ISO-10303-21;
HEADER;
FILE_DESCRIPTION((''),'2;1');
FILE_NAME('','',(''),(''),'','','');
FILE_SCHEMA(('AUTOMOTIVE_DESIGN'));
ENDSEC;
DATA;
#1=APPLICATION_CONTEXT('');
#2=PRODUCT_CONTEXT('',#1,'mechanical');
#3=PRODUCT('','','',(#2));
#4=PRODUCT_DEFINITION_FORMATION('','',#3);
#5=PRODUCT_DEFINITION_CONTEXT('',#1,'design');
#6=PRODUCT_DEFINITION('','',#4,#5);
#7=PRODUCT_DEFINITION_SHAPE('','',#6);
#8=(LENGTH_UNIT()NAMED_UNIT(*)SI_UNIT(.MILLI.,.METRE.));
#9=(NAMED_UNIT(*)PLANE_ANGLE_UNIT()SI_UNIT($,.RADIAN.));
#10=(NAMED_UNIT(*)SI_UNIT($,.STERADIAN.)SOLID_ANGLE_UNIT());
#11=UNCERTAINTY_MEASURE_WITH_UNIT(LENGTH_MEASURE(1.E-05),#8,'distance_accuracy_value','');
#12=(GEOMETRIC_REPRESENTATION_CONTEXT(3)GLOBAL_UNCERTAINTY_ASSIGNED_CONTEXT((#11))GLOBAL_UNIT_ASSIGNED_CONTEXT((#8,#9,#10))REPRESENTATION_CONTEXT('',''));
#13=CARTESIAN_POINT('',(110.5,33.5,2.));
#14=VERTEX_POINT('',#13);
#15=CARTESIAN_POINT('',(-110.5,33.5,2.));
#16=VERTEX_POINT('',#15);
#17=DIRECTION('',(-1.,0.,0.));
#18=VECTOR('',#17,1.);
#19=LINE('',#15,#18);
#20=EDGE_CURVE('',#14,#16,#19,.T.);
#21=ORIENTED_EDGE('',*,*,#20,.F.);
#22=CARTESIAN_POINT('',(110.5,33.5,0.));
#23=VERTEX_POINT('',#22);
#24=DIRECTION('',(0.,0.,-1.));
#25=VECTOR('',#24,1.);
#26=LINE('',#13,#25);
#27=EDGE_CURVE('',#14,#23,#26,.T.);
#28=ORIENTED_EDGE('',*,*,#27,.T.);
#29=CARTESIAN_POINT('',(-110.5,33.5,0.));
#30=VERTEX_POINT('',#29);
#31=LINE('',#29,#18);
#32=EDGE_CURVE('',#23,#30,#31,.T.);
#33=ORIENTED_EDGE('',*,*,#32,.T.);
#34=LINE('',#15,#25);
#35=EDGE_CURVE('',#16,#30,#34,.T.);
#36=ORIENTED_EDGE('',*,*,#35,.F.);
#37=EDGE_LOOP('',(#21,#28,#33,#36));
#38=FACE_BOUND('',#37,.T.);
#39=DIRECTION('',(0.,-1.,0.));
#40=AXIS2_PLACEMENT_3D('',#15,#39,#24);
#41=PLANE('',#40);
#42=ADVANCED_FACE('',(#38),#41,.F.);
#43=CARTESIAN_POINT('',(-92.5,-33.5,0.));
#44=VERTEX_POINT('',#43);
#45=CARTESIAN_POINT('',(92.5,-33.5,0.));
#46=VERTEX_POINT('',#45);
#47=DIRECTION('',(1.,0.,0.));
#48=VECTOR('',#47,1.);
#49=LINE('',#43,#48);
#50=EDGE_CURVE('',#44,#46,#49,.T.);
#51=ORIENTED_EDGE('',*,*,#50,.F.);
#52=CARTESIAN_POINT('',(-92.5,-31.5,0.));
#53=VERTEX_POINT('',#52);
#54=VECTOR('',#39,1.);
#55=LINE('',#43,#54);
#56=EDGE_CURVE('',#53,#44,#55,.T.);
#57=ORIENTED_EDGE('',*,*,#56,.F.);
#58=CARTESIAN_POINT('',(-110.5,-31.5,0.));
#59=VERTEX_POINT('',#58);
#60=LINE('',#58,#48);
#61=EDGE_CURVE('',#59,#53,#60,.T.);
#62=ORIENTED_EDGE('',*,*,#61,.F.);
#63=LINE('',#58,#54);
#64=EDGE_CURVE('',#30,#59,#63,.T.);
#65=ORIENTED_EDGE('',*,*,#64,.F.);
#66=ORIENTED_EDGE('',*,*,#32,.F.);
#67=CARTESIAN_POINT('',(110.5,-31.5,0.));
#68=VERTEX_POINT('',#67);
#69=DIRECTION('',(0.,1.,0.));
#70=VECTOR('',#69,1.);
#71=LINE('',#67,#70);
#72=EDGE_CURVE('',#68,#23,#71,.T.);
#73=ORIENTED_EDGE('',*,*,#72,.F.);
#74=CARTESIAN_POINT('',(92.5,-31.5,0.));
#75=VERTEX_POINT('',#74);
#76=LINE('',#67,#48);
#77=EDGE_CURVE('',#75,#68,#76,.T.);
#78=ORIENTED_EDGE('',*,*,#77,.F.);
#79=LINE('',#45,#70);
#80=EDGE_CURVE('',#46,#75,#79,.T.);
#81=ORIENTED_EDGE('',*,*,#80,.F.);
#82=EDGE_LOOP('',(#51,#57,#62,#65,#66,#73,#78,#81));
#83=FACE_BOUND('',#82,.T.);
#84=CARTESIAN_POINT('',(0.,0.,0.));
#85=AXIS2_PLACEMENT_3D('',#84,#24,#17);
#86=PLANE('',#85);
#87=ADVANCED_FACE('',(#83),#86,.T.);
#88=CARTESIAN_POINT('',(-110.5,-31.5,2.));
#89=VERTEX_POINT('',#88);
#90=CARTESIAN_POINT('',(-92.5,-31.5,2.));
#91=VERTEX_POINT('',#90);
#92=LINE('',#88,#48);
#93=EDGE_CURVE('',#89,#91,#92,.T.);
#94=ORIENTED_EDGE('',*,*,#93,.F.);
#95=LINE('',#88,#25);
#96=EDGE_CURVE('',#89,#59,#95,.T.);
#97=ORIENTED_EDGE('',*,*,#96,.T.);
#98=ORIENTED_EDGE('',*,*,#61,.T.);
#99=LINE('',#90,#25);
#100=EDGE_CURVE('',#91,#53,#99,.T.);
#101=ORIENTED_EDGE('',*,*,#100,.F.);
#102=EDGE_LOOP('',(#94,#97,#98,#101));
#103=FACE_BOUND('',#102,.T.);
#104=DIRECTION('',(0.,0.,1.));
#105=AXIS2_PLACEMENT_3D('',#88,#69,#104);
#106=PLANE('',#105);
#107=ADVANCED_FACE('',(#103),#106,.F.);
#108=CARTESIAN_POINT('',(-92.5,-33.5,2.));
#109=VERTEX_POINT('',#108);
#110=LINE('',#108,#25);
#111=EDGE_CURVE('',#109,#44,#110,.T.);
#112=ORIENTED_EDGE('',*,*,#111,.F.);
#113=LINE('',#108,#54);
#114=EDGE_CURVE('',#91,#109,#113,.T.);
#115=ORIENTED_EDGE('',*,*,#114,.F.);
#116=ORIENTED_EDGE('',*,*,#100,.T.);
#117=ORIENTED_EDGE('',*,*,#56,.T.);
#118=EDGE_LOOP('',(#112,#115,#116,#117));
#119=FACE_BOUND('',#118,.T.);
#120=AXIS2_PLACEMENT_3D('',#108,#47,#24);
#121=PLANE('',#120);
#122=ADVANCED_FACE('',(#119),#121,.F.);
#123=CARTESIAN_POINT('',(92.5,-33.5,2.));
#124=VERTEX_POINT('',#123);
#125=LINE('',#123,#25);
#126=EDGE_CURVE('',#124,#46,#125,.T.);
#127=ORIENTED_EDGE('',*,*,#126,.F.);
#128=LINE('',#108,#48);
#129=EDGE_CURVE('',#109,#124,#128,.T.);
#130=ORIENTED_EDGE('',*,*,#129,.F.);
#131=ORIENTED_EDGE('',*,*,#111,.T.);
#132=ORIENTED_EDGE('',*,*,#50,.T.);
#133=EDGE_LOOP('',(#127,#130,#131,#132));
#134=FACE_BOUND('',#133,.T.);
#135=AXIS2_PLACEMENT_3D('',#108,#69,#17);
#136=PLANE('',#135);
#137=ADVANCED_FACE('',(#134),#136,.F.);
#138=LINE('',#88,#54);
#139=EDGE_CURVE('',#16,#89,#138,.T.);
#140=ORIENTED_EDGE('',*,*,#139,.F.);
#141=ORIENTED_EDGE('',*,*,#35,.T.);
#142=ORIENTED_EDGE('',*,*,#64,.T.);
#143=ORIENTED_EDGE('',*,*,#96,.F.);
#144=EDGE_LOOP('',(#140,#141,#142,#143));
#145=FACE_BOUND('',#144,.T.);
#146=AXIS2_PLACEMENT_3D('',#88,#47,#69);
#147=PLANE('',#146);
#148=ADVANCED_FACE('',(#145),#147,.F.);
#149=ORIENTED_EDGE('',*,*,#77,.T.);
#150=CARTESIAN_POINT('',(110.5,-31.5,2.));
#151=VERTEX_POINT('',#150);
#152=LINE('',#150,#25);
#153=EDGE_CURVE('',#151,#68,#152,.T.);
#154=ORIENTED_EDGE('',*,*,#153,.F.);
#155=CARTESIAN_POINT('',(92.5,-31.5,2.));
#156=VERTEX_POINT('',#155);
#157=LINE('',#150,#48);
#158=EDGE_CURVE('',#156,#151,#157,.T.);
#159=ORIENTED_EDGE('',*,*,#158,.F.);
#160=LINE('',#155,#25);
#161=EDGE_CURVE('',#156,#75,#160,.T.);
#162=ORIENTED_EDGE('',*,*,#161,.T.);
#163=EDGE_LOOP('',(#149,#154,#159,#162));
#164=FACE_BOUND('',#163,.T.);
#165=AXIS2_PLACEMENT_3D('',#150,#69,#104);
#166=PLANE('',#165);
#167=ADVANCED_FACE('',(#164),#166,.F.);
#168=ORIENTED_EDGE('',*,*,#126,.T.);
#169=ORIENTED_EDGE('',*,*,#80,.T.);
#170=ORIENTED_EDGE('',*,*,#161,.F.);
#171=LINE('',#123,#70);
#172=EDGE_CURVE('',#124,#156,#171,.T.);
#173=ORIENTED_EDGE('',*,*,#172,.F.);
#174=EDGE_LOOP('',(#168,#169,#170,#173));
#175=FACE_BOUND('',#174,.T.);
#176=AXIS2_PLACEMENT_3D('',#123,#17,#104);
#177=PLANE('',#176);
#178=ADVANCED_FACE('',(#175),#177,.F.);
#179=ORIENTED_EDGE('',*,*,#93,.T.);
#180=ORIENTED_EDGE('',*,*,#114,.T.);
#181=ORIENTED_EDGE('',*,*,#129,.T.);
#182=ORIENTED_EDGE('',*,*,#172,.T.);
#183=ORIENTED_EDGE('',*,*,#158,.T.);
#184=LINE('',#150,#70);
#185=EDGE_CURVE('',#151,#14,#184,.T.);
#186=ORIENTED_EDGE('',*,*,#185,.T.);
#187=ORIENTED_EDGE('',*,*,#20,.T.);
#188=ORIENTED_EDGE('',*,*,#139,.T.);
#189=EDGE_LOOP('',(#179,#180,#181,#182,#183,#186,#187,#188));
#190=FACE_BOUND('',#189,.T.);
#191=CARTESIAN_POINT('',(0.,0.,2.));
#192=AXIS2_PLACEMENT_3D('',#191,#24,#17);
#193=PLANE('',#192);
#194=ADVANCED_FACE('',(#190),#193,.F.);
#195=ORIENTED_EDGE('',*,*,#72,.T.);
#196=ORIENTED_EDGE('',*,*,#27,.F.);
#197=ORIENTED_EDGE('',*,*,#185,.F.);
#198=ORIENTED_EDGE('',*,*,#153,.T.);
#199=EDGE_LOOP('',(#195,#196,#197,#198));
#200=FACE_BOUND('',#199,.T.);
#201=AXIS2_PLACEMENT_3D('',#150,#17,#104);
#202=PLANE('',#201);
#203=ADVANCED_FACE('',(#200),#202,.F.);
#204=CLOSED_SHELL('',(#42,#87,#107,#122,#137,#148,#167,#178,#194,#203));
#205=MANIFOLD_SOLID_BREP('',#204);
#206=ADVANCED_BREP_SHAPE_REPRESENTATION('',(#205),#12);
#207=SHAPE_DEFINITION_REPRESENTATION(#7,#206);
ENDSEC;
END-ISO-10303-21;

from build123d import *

# Parameters (mm, degrees)
EXTRUDE_1_DEPTH = 2


with BuildPart() as part:
    # 草图1 → 凸台-拉伸1 (new body)
    with BuildSketch(Plane.XY):
        Polygon((-92.5, -33.5), (92.5, -33.5), (92.5, -31.5), (110.5, -31.5), (110.5, 33.5), (-110.5, 33.5), (-110.5, -31.5), (-92.5, -31.5), align=None)
    extrude(amount=EXTRUDE_1_DEPTH)


solid = part.part
